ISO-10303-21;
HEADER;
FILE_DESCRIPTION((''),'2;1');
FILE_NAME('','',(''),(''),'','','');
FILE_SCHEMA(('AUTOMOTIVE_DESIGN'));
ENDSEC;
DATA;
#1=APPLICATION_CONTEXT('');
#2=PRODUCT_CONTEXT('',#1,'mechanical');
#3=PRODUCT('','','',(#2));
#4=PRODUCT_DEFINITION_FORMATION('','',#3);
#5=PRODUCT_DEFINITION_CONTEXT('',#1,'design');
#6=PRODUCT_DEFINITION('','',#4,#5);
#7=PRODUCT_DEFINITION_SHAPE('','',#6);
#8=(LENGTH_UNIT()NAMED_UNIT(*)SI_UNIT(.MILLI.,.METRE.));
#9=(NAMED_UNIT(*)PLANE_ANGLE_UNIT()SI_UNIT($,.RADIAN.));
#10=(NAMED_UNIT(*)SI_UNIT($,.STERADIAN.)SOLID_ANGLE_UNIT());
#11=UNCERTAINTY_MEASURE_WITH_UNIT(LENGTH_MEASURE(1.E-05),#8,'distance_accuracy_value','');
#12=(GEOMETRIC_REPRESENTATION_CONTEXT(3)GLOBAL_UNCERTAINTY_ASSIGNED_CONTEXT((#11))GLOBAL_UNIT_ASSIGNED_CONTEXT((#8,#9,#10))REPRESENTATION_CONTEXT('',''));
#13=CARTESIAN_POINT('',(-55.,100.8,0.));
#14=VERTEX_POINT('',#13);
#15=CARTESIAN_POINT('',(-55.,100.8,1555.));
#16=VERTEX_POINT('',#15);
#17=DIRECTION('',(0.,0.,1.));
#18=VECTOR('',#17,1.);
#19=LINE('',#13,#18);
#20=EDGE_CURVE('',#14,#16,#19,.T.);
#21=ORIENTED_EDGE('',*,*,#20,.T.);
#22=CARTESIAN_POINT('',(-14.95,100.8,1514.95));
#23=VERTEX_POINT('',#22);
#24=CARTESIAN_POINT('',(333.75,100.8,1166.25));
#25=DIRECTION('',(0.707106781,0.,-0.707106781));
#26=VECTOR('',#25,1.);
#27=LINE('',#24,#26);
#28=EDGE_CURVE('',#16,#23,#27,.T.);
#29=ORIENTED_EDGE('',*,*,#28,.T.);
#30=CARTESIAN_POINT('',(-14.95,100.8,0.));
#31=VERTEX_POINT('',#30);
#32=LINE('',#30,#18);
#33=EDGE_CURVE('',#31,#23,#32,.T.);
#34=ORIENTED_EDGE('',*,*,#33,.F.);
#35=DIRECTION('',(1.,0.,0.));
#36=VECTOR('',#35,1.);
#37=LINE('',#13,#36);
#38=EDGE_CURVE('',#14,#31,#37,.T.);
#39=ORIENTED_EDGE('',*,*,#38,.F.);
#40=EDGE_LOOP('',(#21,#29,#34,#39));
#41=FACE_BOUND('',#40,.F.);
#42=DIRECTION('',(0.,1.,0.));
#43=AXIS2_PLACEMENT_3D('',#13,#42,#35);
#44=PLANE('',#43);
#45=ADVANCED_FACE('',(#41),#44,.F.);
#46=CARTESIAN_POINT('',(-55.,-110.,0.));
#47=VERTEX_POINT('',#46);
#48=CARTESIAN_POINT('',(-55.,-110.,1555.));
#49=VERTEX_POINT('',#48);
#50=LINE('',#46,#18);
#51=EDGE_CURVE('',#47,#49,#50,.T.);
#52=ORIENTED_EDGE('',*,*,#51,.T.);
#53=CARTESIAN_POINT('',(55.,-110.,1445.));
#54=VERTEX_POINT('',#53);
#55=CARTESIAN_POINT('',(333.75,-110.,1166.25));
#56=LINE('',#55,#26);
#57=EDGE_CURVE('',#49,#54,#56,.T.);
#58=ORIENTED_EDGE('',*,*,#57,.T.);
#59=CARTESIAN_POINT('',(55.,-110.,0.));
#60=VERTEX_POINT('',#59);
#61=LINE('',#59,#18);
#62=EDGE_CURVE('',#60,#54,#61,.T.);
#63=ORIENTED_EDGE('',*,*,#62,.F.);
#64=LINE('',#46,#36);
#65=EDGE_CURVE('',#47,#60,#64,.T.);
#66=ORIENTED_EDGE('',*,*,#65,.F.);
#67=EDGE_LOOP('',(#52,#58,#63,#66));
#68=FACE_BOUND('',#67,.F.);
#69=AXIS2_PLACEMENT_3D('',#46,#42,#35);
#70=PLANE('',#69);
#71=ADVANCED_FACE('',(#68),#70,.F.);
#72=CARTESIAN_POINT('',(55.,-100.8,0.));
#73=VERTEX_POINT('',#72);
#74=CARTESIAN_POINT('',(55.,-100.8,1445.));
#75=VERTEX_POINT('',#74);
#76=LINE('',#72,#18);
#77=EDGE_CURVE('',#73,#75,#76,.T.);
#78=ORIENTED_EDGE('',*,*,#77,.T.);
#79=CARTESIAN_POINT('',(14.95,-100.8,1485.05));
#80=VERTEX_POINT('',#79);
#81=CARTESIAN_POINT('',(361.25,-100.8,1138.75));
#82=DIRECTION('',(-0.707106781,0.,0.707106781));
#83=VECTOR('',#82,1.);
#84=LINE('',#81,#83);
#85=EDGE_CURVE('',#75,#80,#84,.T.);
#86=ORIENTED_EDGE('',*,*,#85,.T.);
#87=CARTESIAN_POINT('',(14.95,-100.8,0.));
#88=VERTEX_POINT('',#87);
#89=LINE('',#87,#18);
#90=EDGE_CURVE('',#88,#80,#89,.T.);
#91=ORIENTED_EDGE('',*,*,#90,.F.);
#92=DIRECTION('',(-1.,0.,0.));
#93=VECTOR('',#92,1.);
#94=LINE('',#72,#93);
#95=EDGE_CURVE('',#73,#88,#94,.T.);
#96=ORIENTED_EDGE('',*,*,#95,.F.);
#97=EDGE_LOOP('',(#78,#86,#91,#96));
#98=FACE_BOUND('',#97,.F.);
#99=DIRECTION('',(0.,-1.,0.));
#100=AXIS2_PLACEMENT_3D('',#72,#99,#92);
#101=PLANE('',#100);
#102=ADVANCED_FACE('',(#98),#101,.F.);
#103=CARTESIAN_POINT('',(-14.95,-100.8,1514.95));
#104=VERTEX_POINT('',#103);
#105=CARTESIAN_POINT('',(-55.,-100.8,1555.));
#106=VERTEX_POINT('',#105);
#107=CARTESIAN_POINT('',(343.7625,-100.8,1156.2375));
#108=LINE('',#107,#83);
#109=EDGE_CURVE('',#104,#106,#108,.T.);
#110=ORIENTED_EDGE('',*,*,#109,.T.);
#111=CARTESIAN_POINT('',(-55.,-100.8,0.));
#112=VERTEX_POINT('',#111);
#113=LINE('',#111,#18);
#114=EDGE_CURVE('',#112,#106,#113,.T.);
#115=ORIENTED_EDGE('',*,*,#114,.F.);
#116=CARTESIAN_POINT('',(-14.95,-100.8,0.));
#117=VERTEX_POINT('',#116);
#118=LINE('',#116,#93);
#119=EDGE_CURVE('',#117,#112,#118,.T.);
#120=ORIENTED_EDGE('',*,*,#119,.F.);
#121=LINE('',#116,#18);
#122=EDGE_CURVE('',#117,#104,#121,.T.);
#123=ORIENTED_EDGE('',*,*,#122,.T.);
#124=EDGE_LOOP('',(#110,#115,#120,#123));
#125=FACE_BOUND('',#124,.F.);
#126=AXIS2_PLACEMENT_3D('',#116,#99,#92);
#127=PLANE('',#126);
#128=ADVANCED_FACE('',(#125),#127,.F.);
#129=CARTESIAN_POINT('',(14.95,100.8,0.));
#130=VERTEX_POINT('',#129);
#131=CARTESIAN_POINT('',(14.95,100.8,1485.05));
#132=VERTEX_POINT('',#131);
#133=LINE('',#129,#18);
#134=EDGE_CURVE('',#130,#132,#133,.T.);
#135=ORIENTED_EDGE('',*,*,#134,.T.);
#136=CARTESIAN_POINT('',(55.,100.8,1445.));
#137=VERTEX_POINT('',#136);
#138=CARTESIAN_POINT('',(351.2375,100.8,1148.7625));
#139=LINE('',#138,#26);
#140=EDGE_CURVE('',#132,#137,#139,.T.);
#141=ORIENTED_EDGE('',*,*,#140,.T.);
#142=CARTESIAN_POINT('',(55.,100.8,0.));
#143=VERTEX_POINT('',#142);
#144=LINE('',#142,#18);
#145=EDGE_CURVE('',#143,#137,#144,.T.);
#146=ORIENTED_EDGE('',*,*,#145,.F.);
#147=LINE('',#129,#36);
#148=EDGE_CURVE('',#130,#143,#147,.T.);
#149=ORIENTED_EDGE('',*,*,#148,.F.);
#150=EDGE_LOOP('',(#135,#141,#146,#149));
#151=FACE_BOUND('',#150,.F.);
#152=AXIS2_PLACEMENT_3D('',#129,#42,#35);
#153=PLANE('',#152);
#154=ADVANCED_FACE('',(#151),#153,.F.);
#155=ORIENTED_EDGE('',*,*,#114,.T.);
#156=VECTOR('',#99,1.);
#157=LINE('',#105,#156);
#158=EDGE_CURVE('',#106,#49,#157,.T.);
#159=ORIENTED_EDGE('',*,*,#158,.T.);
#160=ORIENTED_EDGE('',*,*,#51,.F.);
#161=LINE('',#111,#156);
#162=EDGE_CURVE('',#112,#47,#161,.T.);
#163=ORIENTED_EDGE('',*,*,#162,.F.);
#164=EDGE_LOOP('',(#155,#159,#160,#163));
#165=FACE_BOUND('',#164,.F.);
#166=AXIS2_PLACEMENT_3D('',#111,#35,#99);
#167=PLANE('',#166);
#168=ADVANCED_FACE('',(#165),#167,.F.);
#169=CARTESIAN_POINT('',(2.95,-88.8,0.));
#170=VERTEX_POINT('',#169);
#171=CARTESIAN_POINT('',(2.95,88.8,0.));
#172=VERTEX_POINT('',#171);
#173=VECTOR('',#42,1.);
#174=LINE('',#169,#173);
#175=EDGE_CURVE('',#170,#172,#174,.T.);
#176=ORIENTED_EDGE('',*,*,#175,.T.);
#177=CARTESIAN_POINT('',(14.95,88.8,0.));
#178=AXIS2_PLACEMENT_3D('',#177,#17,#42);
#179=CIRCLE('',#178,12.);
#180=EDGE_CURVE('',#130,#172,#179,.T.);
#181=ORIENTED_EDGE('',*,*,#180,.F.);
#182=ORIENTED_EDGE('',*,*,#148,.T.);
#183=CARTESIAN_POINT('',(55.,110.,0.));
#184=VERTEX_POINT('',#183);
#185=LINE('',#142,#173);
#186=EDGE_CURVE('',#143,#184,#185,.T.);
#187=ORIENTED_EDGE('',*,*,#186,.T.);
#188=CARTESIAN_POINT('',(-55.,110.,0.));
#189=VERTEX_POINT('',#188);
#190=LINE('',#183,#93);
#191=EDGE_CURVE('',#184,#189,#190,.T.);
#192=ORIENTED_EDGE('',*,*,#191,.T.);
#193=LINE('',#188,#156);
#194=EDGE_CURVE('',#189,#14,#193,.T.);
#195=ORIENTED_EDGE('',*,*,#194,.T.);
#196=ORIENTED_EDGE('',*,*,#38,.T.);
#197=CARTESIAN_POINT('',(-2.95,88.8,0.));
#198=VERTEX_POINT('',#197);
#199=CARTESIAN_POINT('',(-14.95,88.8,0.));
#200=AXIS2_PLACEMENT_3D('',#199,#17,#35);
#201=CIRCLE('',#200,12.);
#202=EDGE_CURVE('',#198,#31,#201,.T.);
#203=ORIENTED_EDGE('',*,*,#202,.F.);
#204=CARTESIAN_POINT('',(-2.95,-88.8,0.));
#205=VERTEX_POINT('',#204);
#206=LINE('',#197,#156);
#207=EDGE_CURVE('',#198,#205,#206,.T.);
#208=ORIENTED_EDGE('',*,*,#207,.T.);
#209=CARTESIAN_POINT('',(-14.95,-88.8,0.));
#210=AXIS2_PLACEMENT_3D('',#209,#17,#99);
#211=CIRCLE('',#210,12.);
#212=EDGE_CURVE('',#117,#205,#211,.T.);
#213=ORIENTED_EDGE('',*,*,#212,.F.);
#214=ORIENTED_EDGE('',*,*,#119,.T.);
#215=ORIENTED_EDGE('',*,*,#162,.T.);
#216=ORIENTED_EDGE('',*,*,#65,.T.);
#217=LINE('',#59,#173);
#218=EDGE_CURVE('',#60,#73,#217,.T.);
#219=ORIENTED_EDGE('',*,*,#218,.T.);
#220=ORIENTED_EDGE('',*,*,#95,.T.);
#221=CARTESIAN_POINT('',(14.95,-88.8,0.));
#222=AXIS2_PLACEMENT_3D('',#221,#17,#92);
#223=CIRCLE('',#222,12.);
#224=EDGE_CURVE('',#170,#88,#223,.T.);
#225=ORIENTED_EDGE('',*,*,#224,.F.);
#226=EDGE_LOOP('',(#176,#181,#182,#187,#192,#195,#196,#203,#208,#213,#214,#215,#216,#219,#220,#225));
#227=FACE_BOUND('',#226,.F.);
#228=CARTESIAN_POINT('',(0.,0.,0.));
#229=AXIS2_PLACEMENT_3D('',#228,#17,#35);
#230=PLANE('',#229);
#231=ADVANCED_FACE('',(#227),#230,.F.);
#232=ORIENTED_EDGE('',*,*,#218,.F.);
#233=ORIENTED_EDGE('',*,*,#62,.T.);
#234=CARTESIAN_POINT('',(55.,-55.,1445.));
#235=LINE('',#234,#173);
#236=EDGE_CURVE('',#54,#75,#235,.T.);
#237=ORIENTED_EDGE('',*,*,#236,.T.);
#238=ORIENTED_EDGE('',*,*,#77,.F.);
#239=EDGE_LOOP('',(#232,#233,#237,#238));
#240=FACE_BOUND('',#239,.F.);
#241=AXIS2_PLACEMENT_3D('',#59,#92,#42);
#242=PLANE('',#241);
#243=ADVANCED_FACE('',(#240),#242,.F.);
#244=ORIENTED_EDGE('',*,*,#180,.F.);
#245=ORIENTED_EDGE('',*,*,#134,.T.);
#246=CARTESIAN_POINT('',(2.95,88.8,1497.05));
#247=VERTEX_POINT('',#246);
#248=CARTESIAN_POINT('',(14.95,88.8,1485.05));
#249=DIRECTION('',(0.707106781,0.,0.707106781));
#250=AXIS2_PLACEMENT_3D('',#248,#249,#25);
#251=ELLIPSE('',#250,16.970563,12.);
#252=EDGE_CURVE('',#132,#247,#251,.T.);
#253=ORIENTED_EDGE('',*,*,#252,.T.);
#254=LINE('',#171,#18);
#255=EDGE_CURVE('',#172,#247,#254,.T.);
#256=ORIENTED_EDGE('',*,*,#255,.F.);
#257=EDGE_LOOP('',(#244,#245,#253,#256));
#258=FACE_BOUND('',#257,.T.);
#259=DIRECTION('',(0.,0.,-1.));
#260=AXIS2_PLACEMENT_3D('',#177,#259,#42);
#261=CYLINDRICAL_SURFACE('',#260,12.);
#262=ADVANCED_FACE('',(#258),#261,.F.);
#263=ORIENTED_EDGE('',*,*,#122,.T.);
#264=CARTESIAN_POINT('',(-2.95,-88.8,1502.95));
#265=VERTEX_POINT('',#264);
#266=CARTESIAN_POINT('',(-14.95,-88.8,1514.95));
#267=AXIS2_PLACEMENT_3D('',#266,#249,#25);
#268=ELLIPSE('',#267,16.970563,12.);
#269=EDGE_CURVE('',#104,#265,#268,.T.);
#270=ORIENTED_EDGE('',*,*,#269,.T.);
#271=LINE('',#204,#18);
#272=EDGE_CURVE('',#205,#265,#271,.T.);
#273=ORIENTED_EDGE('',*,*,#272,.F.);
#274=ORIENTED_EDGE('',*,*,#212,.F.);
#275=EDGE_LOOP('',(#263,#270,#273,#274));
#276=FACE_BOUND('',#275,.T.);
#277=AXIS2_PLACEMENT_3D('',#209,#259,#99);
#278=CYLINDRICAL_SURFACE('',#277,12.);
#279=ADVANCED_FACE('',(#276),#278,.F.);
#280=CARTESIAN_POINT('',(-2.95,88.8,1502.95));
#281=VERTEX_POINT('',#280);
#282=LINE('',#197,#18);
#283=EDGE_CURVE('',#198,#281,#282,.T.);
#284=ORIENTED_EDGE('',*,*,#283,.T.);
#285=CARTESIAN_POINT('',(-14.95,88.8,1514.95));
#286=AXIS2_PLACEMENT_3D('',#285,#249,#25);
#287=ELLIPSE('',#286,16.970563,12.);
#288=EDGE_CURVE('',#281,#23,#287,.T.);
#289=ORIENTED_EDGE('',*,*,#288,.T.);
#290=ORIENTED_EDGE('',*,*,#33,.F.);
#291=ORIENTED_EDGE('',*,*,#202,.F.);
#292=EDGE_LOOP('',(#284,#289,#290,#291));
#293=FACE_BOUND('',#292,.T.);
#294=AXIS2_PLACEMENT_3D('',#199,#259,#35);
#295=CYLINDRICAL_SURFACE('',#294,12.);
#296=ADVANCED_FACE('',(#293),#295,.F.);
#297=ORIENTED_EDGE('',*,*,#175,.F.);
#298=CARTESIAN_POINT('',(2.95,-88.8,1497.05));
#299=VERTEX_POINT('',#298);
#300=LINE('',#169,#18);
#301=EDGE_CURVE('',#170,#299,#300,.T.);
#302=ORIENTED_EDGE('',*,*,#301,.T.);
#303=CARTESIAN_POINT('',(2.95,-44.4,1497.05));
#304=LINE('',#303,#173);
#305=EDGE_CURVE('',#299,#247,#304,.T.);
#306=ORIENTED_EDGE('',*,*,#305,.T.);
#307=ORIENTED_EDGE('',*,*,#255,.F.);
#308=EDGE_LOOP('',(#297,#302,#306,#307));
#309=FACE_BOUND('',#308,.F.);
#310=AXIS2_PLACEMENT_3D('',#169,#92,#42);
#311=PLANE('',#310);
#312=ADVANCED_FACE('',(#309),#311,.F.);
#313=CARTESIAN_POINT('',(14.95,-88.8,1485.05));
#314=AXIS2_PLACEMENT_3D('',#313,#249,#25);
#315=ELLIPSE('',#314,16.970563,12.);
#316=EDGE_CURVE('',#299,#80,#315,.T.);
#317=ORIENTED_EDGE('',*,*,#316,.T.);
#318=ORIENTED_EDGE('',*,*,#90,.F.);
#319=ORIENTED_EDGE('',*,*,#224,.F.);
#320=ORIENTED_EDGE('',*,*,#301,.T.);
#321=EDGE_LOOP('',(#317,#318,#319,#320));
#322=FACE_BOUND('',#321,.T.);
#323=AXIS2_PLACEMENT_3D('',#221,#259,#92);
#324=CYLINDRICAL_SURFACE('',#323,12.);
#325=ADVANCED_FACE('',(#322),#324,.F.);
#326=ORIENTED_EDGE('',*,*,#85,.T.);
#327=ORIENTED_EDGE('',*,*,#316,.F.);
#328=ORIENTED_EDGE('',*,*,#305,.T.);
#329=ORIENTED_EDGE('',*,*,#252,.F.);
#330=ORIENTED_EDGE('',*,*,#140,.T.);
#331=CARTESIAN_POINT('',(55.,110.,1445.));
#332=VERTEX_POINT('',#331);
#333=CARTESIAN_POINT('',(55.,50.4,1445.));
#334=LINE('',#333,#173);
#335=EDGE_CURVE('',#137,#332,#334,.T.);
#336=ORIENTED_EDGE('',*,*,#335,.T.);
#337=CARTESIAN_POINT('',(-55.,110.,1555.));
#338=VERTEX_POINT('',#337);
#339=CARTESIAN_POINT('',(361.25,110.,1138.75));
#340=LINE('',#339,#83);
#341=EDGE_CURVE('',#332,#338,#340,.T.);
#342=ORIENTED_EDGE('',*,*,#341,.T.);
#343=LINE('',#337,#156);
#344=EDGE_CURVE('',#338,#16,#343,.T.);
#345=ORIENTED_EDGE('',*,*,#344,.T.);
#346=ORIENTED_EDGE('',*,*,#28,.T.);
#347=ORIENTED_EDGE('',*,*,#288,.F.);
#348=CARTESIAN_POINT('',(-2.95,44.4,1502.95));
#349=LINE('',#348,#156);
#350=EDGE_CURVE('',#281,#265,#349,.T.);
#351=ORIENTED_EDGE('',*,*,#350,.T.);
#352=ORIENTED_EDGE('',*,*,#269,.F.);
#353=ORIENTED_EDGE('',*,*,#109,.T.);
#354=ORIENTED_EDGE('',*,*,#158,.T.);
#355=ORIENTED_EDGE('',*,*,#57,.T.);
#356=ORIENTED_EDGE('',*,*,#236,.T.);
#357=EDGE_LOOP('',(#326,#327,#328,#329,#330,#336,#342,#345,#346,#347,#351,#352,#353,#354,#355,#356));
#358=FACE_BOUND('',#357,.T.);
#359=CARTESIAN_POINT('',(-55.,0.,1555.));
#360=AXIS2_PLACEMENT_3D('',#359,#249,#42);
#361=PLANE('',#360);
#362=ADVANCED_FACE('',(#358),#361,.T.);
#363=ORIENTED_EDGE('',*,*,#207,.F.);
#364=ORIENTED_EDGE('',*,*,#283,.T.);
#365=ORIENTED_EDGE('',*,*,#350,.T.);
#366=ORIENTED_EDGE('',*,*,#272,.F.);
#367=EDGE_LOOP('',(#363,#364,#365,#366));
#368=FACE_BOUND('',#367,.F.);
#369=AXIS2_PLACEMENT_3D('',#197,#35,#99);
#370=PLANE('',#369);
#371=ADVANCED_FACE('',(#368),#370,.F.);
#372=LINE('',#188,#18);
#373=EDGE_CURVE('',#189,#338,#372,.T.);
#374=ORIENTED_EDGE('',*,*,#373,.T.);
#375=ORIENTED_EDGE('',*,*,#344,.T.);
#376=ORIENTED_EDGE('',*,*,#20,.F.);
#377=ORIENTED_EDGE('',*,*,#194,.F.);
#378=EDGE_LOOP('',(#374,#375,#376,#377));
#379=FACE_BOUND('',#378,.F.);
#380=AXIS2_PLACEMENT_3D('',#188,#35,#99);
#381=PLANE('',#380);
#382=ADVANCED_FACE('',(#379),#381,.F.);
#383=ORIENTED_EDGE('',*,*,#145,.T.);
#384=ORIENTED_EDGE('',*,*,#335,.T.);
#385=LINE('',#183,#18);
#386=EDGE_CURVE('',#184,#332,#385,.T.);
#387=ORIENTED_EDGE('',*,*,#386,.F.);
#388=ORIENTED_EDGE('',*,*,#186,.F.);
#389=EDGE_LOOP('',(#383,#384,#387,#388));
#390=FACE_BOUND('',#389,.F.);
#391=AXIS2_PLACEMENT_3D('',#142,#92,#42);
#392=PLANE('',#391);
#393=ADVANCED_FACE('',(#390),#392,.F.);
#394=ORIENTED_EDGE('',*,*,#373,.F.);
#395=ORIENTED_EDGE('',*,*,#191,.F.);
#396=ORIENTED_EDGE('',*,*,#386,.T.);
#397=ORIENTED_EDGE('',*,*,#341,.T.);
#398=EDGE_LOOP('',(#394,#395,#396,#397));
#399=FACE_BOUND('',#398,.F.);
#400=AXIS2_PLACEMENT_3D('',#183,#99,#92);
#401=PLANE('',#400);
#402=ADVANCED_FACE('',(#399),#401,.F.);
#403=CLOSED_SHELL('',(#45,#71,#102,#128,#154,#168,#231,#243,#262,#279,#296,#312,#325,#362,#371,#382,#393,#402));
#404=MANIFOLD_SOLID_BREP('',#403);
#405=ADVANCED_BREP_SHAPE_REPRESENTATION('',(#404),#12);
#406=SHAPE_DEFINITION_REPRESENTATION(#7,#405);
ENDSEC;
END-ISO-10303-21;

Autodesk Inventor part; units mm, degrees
ref_plane "Start plane" through (0, 0, 0) normal (0, 0, 1) x (1, 0, 0)
ref_plane "End plane" through (0, 0, 1555) normal (0, 0, 1) x (1, 0, 0)
sketch "Sketch2" plane through (0, 0, 0) normal (0, 0, 1) x (1, 0, 0)
  line L0 (-55, 100.8) -> (-14.95, 100.8)
  line L1 (-55, 110) -> (-55, 100.8)
  line L2 (55, 110) -> (-55, 110)
  line L3 (55, 100.8) -> (55, 110)
  line L4 (14.95, 100.8) -> (55, 100.8)
  line L5 (2.95, -88.8) -> (2.95, 88.8)
  line L6 (55, -100.8) -> (14.95, -100.8)
  line L7 (55, -110) -> (55, -100.8)
  line L8 (-55, -100.8) -> (-55, -110)
  line L9 (-14.95, -100.8) -> (-55, -100.8)
  line L10 (-2.95, 88.8) -> (-2.95, -88.8)
  line L11 (0, -154) -> (0, 154) construction
  line L12 (-2.95, -100.8) -> (2.95, -100.8) construction
  arc A0 (-14.95, -100.8) -> (-2.95, -88.8) centre (-14.95, -88.8) ccw
  arc A1 (-2.95, 88.8) -> (-14.95, 100.8) centre (-14.95, 88.8) ccw
  arc A2 (14.95, 100.8) -> (2.95, 88.8) centre (14.95, 88.8) ccw
  arc A3 (2.95, -88.8) -> (14.95, -100.8) centre (14.95, -88.8) ccw
  line L13 (-77, 0) -> (77, 0) construction
  line L14 (-55, -110) -> (55, -110)
  point P0 (-2.95, 100.8)
  point P1 (2.95, 100.8)
  point P2 (0, 0)
  point P3 (0, -100.8)
  point P4 (0, 0)
  dimension "d1" = 220
  dimension "d3" = 9.2
  dimension "d5" = 5.9
  dimension "d7" = 110
  dimension "d13" = 12
  dimension "d14" = 110
  dimension "d15" = 55
extrude "Body" add sketch "Sketch2" along normal up to surface (1555 mm away) from surface at 0
sketch "Sketch3" plane through (0, 0, 0) normal (0, 0, 1) x (1, 0, 0)
  line L0 (0, 0) -> (10, 0)
ref_plane "Work Plane3" through (0, 0, 0) normal (0, -1, 0) x (1, 0, 0)
ref_plane "Work Plane4" through (-55, 0, 1555) normal (0.7071, 0, 0.7071) x (0.7071, 0, -0.7071)
split "Split1" plane through (-55, 0, 1555) removes the side toward (0.7071, 0, 0.7071)
sketch "Sketch4" plane through (0, 0, 0) normal (0, -1, 0) x (1, 0, 0)
  line L0 (-2, 0) -> (12, 0) projected
  line L1 (-2, 1555) -> (12, 1555) projected
  dimension "d19" = 1555
equation "\"d1\" = ParH"
equation "\"d3\" = t2"
equation "\"d5\" = t1"
equation "\"d7\" = b"
equation "\"d13\" = R1"
equation "\"d14\" = 0.5 * d1"
equation "\"d15\" = 0.5 * d7"
equation "\"d8\" = G_L"
equation "\"b\" = 110"
equation "\"ParH\" = 220"
equation "\"R1\" = 12"
equation "\"G_L\" = d19"
equation "\"t1\" = 5.9"
equation "\"t2\" = 9.2"
equation "\"G_OFFSET_START\" = 0"
equation "\"G_OFFSET_END\" = 55"
equation "\"d17\" = G_OFFSET_END + B_L"
equation "\"B_L\" = 1500"
properties part number "DIN 1025 - IPE 220-1555" material "Steel, Mild"
